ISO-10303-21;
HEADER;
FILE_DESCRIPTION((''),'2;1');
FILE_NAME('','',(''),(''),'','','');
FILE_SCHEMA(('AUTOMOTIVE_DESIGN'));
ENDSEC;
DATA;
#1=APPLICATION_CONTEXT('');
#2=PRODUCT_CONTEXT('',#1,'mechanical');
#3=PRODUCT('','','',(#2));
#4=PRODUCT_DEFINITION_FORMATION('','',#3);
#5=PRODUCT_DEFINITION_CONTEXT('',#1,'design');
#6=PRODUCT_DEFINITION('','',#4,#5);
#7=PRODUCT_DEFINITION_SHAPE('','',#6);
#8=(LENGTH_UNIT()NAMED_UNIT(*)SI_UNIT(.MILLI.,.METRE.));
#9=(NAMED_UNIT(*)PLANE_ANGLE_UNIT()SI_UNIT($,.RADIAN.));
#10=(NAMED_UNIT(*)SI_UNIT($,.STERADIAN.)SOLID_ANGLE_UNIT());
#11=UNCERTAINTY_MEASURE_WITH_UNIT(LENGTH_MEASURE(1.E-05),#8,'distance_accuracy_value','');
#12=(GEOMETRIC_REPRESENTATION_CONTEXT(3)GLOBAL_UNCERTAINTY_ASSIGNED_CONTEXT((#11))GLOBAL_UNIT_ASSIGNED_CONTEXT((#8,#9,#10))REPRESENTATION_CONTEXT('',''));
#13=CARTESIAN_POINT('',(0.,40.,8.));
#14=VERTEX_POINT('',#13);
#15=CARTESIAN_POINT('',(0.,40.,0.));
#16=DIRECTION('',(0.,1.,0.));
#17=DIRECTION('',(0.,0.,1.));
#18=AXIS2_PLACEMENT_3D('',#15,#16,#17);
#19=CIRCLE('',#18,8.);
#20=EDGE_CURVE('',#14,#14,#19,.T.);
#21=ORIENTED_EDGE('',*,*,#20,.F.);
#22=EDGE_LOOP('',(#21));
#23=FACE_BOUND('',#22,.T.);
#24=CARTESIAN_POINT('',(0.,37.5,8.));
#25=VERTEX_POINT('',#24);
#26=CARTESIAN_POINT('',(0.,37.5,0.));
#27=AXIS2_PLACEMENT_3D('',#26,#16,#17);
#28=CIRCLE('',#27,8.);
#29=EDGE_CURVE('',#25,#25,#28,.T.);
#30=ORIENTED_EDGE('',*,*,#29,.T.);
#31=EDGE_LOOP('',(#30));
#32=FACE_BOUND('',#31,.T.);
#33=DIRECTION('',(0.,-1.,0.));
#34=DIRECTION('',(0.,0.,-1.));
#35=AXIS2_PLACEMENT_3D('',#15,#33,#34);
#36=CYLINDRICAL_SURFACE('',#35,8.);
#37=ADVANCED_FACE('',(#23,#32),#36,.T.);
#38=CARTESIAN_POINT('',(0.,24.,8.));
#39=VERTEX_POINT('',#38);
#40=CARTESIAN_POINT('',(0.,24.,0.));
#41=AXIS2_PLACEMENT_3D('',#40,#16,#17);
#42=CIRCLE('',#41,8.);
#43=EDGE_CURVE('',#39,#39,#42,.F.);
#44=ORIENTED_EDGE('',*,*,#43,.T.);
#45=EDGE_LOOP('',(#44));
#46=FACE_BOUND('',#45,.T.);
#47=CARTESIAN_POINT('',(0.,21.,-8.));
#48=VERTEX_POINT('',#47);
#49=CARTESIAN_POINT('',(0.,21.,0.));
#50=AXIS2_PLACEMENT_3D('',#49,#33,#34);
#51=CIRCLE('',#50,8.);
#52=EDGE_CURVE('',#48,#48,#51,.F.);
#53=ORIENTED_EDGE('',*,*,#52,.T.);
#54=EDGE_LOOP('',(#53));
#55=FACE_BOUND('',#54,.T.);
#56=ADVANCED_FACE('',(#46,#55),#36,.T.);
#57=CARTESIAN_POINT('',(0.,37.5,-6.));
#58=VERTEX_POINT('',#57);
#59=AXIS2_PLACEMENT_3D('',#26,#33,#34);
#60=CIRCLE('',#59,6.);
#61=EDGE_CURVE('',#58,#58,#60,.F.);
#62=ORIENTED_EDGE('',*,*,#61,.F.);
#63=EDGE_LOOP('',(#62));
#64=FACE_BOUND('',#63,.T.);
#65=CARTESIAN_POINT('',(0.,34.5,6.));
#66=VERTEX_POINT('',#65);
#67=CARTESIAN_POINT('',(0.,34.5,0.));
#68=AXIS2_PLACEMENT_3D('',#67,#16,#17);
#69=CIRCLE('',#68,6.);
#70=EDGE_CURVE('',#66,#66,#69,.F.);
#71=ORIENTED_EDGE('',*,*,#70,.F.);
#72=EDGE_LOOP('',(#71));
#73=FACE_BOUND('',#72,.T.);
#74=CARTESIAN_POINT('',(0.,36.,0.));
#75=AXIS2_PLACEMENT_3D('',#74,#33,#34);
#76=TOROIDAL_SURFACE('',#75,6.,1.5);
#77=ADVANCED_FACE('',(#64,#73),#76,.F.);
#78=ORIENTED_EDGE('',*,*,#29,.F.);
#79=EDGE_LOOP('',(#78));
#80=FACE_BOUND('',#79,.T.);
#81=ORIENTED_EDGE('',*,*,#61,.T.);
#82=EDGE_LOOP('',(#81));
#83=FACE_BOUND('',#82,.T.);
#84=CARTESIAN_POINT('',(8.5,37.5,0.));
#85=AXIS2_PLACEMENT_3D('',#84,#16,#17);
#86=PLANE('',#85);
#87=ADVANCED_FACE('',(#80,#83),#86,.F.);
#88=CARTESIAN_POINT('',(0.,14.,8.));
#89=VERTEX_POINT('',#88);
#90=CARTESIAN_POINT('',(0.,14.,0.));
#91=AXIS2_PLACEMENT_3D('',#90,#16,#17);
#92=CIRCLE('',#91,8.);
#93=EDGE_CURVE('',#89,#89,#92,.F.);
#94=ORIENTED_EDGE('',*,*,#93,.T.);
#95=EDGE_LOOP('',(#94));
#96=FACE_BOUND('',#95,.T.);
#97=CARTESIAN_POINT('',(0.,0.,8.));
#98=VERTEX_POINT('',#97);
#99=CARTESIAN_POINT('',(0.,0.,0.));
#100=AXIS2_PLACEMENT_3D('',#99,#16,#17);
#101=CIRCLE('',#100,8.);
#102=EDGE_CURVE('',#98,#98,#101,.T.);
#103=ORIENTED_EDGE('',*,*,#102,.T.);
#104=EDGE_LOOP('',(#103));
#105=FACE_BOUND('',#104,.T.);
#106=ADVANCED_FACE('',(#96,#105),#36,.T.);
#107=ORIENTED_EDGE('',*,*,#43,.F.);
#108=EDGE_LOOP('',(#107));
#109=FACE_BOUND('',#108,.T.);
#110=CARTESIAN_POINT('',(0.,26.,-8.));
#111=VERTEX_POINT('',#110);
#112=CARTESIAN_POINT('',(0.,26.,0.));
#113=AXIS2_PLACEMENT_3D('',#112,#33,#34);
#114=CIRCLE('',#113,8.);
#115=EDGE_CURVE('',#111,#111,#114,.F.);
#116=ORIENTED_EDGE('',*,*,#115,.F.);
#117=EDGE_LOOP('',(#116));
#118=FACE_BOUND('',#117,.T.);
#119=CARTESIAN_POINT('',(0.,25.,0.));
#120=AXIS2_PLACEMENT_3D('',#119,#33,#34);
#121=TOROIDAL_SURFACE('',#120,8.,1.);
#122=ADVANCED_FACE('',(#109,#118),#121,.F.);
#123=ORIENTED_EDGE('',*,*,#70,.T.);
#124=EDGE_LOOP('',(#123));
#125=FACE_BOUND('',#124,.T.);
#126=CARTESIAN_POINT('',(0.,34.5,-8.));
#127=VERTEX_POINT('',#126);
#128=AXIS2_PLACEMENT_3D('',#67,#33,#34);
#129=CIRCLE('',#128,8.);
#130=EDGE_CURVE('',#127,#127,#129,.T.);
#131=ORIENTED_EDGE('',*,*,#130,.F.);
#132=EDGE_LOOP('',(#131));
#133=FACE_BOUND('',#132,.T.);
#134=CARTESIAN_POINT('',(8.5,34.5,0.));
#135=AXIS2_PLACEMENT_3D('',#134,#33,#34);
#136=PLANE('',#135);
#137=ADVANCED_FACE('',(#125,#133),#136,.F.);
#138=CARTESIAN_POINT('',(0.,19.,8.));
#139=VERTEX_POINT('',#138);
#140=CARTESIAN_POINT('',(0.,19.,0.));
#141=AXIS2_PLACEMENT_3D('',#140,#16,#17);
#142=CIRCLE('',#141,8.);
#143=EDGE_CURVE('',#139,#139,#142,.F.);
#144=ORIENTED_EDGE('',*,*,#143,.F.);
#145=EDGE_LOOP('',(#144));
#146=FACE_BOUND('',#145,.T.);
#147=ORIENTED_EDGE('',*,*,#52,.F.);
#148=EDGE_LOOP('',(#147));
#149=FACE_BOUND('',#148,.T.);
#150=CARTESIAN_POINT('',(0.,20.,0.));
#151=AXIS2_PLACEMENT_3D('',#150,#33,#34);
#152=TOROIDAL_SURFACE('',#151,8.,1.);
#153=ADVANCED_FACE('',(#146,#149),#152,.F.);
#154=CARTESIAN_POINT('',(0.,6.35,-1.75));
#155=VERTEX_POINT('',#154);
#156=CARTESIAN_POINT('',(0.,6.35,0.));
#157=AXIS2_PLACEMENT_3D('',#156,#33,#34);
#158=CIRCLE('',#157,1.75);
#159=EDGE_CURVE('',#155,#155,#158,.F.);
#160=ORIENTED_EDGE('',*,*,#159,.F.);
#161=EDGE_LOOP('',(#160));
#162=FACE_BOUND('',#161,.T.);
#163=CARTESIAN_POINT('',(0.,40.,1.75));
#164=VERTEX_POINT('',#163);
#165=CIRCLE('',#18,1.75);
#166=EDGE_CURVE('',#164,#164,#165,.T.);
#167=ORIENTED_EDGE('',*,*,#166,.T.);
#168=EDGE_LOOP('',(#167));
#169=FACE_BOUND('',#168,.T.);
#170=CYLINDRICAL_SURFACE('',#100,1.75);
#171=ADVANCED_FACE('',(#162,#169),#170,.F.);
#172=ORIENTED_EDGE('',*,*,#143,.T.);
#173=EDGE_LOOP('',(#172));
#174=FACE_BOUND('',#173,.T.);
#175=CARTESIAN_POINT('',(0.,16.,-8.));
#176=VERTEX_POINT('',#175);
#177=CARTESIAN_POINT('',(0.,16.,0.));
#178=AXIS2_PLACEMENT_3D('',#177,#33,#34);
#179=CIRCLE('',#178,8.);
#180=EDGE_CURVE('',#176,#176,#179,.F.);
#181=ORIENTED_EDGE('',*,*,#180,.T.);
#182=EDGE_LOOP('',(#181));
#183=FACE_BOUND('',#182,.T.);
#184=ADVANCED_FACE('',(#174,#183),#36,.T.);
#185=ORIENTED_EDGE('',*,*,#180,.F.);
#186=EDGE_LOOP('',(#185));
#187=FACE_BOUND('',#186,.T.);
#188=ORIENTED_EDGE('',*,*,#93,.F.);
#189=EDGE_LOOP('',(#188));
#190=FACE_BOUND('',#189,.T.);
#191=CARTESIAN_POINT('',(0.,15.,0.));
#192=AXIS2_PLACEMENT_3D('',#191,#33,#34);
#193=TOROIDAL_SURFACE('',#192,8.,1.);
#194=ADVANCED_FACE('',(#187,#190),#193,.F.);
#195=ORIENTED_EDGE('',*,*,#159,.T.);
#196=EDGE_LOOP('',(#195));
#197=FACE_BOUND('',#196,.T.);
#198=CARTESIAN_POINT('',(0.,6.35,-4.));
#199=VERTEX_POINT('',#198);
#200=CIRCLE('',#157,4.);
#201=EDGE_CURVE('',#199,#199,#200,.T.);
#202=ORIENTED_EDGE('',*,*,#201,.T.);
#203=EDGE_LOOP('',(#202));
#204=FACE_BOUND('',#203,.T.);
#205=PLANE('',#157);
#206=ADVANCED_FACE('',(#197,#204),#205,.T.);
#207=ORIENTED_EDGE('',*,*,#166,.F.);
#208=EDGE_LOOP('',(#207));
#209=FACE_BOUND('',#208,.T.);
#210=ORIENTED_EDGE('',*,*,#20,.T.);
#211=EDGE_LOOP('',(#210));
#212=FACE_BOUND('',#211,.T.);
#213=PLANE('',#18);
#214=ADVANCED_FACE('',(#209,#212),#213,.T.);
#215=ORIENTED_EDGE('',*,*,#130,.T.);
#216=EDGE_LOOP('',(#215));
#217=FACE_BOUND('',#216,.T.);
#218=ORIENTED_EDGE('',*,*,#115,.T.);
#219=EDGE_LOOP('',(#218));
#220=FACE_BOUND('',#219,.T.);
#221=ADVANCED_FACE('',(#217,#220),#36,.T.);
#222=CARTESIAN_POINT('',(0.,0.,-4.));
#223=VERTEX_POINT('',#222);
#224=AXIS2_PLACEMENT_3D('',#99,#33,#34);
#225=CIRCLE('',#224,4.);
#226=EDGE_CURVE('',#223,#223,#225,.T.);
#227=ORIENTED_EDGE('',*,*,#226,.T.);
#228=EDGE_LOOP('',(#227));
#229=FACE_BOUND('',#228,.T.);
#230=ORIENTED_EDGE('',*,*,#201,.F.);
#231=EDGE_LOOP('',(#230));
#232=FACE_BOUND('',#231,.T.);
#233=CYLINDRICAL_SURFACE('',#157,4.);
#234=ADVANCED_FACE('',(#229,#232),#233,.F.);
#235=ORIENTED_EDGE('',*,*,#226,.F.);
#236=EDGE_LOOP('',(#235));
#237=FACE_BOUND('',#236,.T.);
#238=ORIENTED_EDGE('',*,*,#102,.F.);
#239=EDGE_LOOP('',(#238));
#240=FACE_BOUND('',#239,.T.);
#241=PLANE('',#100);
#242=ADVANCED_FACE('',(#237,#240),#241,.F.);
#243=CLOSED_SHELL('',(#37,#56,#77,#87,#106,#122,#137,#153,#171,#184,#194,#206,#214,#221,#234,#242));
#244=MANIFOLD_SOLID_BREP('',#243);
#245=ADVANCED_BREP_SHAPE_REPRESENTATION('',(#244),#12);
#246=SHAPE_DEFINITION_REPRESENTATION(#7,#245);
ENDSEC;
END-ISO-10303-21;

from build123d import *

# Parameters (mm, degrees)
SKETCH1_R      = 8
EXTRUDE1_DEPTH = 40
SKETCH2_R      = 1.75
EXTRUDE2_DEPTH = 40
SKETCH3_R      = 4
EXTRUDE3_DEPTH = 6.35
SKETCH4_R      = 1
SKETCH9_W      = 2.5
SKETCH9_H      = 3
SKETCH10_R     = 1.5


with BuildPart() as part:
    # Sketch1 → Extrude1 (new body)
    with BuildSketch(Plane(origin=(0, 0, 0), x_dir=(1, 0, 0), z_dir=(0, 1, 0))):
        Circle(SKETCH1_R)
    extrude(amount=EXTRUDE1_DEPTH)

    # Sketch2 → Extrude2 (cut)
    with BuildSketch(Plane(origin=(0, 40, 0), x_dir=(-1, 0, 0), z_dir=(0, 1, 0))):
        Circle(SKETCH2_R)
    extrude(amount=-EXTRUDE2_DEPTH, mode=Mode.SUBTRACT)

    # Sketch3 → Extrude3 (cut)
    with BuildSketch(Plane.XZ):
        Circle(SKETCH3_R)
    extrude(amount=-EXTRUDE3_DEPTH, mode=Mode.SUBTRACT)

    # Cut-Sweep1: sweep along a path in Sketch6
    with BuildLine(Plane(origin=(0, 15, 0), x_dir=(-1, 0, 0), z_dir=(0, 1, 0))) as cut_sweep1_path:
        CenterArc((0, 0), 8, 0, 360)
    # Sketch4 → Cut-Sweep1 (sweep, cut)
    with BuildSketch(Plane.XY):
        with Locations((8, 20)):
            Circle(SKETCH4_R)
        with Locations((8, 25)):
            Circle(SKETCH4_R)
        with Locations((8, 15)):
            Circle(SKETCH4_R)
    sweep(path=cut_sweep1_path.line, mode=Mode.SUBTRACT)

    # Cut-Sweep3: sweep along a path in Sketch8
    with BuildLine(Plane(origin=(0, 36, 0), x_dir=(-1, 0, 0), z_dir=(0, 1, 0))) as cut_sweep3_path:
        CenterArc((0, 0), 6, 0, 360)
    # Sketch9 → Cut-Sweep3 (sweep, cut)
    with BuildSketch(Plane.XY):
        with Locations((7.25, 36)):
            Rectangle(SKETCH9_W, SKETCH9_H)
    sweep(path=cut_sweep3_path.line, mode=Mode.SUBTRACT)

    # Cut-Sweep4: sweep along a path in Sketch11
    with BuildLine(Plane(origin=(0, 36, 0), x_dir=(-1, 0, 0), z_dir=(0, 1, 0))) as cut_sweep4_path:
        CenterArc((0, 0), 6, 0, 360)
    # Sketch10 → Cut-Sweep4 (sweep, cut)
    with BuildSketch(Plane.XY):
        with Locations((6, 36)):
            Circle(SKETCH10_R)
    sweep(path=cut_sweep4_path.line, mode=Mode.SUBTRACT)


solid = part.part
